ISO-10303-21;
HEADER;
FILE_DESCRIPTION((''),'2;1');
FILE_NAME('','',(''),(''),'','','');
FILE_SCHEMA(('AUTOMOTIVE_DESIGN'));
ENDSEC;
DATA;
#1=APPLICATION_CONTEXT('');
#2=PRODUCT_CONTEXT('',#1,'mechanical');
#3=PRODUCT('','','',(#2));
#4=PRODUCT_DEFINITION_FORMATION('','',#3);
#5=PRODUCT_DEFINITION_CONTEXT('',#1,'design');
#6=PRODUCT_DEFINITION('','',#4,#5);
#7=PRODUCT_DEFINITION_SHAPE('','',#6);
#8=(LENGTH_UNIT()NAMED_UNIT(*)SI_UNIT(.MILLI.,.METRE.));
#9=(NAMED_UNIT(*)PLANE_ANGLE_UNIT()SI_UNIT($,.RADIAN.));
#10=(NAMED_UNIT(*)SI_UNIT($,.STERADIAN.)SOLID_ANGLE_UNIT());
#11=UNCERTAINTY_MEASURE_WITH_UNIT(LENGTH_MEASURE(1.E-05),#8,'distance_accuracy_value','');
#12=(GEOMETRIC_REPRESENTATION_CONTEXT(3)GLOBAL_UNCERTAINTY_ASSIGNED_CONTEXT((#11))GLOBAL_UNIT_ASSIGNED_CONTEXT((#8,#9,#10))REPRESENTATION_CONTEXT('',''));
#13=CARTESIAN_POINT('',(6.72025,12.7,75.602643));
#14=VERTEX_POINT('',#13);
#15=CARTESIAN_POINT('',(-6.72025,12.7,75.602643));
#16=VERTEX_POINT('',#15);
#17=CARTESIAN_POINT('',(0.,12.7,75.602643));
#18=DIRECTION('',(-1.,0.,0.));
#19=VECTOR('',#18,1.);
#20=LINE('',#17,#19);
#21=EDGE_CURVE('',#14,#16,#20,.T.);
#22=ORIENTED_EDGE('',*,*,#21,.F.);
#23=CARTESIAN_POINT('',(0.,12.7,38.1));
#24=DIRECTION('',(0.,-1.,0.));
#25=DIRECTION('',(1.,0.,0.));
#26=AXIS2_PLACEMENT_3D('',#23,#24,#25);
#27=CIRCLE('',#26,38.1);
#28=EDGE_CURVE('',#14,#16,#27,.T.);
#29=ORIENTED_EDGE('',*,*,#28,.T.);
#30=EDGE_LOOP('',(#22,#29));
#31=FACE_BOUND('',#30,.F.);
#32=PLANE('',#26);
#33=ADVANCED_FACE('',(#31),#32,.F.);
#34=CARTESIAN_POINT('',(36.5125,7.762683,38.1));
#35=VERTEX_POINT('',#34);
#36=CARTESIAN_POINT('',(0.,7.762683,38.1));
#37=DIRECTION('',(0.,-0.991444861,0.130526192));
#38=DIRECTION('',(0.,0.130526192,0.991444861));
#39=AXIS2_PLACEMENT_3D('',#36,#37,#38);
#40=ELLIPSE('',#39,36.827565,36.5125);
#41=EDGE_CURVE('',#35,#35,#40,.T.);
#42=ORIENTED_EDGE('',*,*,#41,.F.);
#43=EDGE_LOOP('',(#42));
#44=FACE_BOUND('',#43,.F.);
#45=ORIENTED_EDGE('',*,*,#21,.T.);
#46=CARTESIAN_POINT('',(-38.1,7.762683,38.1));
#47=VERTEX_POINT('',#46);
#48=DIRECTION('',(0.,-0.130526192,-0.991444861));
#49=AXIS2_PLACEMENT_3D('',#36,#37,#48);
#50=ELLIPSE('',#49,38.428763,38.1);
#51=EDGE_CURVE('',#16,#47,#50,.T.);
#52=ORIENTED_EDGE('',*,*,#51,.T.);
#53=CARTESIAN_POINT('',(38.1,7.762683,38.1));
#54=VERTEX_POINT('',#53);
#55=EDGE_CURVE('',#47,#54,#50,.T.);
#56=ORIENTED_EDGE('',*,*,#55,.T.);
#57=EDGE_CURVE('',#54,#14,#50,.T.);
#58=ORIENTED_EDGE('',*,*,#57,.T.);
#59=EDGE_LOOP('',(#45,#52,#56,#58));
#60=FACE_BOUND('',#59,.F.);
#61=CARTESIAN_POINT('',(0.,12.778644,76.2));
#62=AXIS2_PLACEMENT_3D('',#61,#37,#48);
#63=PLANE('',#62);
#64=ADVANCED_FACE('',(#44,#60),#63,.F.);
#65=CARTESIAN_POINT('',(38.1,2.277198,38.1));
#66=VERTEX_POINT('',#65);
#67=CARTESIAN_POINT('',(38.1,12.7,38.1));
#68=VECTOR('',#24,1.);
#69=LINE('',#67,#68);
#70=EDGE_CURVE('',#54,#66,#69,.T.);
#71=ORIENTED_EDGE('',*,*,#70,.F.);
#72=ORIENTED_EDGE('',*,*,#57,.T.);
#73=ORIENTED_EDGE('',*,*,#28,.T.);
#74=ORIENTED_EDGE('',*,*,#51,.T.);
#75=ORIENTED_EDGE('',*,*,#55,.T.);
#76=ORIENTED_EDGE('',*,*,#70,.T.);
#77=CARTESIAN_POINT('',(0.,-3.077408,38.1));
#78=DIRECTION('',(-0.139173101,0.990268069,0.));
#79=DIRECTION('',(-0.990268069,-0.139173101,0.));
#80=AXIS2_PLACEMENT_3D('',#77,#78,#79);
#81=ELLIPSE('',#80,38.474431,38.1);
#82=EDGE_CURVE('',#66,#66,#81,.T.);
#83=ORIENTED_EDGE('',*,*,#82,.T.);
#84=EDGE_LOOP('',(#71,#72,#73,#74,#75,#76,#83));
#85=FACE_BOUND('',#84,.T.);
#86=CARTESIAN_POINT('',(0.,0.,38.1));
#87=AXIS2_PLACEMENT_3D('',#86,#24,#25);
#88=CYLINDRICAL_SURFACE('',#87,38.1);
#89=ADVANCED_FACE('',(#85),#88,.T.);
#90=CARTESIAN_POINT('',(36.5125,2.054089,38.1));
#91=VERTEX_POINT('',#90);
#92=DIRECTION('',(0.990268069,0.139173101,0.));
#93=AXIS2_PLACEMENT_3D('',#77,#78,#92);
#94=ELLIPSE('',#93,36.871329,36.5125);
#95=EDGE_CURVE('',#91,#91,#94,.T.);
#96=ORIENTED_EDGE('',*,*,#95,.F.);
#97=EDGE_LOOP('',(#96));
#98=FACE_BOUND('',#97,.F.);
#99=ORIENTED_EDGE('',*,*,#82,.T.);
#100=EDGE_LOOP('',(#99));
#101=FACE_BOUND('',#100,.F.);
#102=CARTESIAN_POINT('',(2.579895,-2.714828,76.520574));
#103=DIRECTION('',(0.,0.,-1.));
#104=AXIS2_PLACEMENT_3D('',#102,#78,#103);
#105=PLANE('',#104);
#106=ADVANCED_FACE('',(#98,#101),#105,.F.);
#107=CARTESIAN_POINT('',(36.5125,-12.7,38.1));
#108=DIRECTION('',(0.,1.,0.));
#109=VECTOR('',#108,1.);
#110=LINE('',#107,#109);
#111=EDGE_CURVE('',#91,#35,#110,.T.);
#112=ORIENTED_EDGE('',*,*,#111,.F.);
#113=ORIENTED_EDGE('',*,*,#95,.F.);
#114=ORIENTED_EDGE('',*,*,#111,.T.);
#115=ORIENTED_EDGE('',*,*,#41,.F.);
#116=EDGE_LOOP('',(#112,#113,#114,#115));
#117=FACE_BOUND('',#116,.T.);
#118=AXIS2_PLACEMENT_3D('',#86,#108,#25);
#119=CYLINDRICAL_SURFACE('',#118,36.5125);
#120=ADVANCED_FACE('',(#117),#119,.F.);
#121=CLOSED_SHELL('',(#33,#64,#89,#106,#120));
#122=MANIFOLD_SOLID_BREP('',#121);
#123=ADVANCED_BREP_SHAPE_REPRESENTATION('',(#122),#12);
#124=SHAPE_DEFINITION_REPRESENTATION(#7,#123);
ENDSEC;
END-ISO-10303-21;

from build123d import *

# Parameters (mm, degrees)
F0_R     = 38.1
F0_R_2   = 36.5125
F1_DEPTH = 12.7
F5_DEPTH = 38.1
F8_DEPTH = 50.8


with BuildPart() as f1:
    # F0 (on Front) → F1 (new body, symmetric)
    with BuildSketch(Plane.XZ):
        with Locations((0, 38.1)):
            Circle(F0_R)
        with Locations((0, 38.1)):
            Circle(F0_R_2, mode=Mode.SUBTRACT)
    extrude(amount=F1_DEPTH, both=True)

    # F4 (on Right) → F5 (cut, symmetric)
    with BuildSketch(Plane.YZ):
        Polygon((12.7786435187, -8.8192215189), (12.7786435187, 76.2), (1.5856506628, -8.8192215189), align=None)
    extrude(amount=F5_DEPTH, both=True, mode=Mode.SUBTRACT)

    # F7 (on offset) → F8 (cut, symmetric)
    with BuildSketch(Plane(origin=(2.1557702546, 0.302973751, 0), x_dir=(0.139173101, -0.9902680687, 0), z_dir=(-0.9902680687, -0.139173101, 0))):
        Polygon((31.6142430529, 76.0232245399), (3.0474591767, 76.5205744021), (3.0474591767, -2.2310584007), (31.6142430529, -2.2310584007), align=None)
    extrude(amount=F8_DEPTH, both=True, mode=Mode.SUBTRACT)


solid = f1.part
